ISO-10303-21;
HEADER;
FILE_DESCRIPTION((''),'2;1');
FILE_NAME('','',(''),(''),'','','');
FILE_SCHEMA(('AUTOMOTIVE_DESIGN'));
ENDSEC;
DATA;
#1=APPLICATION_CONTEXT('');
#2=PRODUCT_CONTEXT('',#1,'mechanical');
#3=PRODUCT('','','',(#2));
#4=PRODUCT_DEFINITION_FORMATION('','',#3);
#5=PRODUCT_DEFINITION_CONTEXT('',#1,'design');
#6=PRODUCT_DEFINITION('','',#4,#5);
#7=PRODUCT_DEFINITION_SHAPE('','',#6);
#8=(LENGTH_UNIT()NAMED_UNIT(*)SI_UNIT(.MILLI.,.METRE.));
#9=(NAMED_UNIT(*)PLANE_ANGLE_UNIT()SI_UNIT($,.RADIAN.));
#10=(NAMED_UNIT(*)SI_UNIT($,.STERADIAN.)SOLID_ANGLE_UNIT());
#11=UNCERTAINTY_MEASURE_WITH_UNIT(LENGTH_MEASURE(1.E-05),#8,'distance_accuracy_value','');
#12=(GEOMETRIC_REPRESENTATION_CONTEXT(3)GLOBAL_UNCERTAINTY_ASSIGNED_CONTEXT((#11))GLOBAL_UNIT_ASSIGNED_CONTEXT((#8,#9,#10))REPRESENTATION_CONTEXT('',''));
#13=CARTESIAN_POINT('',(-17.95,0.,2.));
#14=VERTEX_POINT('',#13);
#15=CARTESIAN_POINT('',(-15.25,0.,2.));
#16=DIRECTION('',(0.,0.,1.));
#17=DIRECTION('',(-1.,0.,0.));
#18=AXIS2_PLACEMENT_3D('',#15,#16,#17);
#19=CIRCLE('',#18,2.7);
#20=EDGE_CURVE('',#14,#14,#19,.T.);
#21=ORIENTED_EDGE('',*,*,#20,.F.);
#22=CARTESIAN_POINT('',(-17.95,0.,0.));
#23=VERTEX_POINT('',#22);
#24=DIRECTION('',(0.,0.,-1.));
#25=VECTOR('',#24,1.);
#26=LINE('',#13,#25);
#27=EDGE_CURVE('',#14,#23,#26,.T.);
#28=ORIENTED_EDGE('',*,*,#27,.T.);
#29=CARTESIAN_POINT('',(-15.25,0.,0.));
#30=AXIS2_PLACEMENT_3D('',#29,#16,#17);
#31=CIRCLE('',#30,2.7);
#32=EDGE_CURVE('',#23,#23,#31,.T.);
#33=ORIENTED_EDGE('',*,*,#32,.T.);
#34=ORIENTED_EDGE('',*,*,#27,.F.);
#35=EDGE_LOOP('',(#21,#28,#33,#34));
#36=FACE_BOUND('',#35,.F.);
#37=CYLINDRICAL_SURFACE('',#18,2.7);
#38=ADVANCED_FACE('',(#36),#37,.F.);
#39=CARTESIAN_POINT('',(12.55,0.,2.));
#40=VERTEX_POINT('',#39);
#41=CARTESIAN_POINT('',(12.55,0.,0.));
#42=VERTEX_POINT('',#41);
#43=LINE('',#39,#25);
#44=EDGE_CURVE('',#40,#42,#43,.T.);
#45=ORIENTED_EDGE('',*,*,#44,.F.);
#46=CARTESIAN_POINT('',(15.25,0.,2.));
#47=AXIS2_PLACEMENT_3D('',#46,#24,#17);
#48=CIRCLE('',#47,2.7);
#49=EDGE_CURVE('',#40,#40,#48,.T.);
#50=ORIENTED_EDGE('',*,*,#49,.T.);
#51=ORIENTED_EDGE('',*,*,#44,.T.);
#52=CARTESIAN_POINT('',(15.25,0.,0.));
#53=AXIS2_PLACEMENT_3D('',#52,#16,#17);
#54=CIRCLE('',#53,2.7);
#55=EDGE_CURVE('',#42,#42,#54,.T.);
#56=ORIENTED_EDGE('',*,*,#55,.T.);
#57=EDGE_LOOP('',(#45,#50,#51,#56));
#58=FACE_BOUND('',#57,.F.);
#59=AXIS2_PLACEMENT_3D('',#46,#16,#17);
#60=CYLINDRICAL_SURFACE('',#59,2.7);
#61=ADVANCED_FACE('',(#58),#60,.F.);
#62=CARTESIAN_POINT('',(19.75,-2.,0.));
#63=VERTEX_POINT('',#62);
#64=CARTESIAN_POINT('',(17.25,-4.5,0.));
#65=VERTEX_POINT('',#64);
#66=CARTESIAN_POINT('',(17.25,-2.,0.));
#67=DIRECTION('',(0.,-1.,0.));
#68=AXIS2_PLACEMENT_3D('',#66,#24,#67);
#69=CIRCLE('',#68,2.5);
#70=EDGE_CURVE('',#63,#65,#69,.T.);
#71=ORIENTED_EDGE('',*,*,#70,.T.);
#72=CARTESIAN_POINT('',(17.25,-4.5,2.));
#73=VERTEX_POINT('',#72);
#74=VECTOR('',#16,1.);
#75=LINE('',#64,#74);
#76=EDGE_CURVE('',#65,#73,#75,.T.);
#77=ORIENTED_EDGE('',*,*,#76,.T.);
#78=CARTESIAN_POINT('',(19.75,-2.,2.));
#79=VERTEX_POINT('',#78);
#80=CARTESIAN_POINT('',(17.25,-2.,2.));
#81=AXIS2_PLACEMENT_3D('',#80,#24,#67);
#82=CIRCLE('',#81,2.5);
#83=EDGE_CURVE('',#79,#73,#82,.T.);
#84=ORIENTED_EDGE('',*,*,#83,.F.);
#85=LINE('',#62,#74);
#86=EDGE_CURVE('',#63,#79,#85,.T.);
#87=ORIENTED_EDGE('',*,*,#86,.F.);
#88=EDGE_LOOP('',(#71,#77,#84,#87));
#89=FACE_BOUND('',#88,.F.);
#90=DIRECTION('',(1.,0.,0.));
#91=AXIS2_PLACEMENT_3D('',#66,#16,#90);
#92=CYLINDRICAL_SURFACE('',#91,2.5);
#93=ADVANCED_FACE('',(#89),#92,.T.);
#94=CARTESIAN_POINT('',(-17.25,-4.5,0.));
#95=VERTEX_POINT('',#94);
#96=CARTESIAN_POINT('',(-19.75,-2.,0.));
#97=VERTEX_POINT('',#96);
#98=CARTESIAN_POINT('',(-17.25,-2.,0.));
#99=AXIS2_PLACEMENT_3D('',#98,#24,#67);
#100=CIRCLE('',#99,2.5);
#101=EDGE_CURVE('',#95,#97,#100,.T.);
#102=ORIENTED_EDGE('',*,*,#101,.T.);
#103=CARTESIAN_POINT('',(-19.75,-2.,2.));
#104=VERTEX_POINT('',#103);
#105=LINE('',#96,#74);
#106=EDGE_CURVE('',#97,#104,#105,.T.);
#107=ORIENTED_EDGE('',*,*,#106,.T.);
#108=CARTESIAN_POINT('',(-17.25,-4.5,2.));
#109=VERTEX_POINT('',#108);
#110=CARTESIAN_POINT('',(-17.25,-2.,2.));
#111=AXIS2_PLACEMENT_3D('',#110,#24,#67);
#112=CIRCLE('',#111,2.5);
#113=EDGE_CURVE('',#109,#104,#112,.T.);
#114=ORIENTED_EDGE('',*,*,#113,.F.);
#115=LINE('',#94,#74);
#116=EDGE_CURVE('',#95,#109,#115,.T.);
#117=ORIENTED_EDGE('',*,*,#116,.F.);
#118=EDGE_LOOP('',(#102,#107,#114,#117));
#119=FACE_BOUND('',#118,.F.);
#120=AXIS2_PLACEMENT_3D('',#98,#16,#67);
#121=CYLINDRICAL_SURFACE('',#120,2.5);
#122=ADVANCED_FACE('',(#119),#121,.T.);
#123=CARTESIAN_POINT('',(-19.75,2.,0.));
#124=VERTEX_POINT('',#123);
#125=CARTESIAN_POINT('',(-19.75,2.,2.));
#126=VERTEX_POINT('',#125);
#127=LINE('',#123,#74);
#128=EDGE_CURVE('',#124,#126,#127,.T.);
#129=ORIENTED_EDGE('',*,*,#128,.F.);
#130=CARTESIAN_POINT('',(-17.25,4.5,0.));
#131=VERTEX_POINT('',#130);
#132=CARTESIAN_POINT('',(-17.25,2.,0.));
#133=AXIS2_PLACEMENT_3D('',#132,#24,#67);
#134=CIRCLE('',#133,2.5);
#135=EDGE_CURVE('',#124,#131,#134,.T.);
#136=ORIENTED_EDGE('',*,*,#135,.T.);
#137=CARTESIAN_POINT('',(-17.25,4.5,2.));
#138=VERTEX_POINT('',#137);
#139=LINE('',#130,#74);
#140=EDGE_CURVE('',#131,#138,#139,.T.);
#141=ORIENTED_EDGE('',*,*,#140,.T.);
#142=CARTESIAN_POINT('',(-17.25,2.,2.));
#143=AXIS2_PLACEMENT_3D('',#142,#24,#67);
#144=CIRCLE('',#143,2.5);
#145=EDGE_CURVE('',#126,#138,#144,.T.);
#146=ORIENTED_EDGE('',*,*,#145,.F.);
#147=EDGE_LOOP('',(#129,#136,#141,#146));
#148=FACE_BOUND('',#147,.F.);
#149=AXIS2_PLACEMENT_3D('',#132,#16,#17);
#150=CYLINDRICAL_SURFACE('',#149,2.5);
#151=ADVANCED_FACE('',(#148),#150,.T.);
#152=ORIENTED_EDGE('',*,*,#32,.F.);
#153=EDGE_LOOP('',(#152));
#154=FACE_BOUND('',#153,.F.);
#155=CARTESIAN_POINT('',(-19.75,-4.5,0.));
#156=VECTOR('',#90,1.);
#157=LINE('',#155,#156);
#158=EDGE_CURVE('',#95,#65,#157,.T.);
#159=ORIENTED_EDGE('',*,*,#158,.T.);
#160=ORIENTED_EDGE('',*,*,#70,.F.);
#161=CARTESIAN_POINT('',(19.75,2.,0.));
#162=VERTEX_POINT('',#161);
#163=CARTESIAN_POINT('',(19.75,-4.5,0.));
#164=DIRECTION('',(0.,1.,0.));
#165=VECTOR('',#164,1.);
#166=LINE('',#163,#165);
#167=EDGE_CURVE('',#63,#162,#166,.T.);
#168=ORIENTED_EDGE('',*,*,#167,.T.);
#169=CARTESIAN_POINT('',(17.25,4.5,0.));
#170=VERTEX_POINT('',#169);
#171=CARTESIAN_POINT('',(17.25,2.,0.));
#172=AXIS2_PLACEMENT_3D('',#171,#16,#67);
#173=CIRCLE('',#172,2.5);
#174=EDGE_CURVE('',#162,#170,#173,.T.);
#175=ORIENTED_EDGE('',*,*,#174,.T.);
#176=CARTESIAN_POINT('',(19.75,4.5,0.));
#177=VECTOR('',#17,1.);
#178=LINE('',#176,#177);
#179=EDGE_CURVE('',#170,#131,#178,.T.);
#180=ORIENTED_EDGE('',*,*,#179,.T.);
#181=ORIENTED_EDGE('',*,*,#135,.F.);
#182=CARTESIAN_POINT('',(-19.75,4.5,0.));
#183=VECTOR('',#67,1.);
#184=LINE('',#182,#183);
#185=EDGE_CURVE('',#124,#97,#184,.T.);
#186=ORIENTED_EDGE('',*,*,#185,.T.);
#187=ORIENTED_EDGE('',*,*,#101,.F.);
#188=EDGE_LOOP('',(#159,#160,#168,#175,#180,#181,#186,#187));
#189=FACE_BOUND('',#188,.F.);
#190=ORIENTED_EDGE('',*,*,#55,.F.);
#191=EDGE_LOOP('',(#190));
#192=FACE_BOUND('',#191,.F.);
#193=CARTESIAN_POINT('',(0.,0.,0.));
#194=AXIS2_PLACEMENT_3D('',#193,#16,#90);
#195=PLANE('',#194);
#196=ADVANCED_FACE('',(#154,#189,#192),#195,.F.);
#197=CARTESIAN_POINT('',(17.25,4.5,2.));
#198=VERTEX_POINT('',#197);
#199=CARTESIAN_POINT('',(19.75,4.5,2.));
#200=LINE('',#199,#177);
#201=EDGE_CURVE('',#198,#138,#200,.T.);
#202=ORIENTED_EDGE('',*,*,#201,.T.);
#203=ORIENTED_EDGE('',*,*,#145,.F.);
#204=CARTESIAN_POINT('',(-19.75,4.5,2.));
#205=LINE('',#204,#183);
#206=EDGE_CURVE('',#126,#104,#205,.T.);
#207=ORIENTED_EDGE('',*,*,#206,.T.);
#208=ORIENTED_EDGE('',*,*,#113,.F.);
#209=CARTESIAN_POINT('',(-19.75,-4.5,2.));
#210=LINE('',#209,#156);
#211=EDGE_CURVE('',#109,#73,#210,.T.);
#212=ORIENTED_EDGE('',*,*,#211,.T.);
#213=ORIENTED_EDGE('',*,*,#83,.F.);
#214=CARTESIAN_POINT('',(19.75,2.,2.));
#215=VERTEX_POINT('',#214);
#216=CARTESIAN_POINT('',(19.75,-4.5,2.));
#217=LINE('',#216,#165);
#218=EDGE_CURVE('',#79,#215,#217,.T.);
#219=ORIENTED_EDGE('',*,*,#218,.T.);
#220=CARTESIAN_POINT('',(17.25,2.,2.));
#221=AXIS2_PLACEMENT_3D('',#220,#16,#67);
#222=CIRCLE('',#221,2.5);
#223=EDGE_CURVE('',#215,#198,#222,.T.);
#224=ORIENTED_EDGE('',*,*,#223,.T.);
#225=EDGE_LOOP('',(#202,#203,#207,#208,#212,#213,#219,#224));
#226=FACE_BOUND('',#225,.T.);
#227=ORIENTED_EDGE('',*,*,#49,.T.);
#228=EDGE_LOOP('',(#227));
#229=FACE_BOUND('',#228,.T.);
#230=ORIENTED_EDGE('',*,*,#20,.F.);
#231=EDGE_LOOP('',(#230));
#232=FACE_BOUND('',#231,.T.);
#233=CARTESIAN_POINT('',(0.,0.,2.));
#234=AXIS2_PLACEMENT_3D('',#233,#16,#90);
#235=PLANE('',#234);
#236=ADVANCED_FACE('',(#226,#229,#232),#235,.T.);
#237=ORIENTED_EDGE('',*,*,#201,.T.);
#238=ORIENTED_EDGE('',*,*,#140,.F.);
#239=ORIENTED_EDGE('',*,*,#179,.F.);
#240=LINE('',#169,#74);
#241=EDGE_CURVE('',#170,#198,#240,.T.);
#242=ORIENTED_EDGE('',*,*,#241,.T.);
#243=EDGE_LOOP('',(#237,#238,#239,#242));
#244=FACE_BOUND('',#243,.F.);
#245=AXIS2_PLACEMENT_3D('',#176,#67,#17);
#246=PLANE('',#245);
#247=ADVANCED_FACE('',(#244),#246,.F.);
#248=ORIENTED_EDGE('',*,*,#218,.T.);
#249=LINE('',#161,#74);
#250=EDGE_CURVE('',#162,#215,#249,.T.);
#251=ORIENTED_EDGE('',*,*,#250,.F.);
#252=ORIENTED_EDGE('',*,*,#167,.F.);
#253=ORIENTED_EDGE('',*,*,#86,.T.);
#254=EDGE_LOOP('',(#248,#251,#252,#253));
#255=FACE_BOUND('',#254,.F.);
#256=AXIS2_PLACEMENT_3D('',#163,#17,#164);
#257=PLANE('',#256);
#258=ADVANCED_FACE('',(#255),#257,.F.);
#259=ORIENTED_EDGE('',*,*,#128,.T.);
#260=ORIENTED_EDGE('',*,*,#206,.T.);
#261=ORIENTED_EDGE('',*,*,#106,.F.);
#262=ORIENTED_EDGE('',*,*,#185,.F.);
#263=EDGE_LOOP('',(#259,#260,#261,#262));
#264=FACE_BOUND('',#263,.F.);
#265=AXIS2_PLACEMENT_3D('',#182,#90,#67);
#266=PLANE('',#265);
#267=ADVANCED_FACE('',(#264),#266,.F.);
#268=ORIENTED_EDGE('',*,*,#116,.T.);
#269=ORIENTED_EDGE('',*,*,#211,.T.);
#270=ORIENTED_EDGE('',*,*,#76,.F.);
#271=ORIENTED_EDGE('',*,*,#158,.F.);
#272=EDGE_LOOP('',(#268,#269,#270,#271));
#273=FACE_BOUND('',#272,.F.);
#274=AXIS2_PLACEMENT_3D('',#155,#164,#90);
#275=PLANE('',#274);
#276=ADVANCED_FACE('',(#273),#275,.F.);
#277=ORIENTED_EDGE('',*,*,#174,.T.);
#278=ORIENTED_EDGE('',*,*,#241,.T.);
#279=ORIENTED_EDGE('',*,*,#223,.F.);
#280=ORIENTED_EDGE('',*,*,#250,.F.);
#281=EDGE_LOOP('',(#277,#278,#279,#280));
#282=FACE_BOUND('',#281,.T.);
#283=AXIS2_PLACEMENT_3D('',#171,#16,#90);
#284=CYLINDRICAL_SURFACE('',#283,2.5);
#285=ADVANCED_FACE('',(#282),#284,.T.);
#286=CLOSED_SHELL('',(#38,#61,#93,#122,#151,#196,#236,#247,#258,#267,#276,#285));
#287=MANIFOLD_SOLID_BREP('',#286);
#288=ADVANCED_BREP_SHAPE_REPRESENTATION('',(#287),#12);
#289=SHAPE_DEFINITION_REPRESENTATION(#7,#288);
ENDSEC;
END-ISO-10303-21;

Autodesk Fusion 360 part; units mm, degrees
sketch "Sketch1" plane through (0, 0, 0) normal (0, 0, 1) x (1, 0, 0)
  line L0 (19.75, 4.5) -> (-19.75, 4.5)
  line L1 (-19.75, 4.5) -> (-19.75, -4.5)
  line L2 (-19.75, -4.5) -> (19.75, -4.5)
  line L3 (19.75, -4.5) -> (19.75, 4.5)
  line L4 (19.75, 4.5) -> (-19.75, -4.5) construction
  line L5 (-19.75, 4.5) -> (19.75, -4.5) construction
  dimension "d1" = 39.5
  dimension "d2" = 9
extrude "Extrude1" add sketch "Sketch1" along normal blind 2
fillet "Fillet1" radius 2.5 4 edges at (-19.75, -4.5, 1) (-19.75, 4.5, 1) (19.75, 4.5, 1) (19.75, -4.5, 1)
sketch "Sketch2" plane through (0, 0, 2) normal (0, 0, 1) x (-1, 0, 0)
  arc A0 (-17.25, 4.5) -> (-19.75, 2) centre (-17.25, 2) ccw
  line L0 (-17.25, -4.5) -> (17.25, -4.5)
  arc A1 (17.25, -4.5) -> (19.75, -2) centre (17.25, -2) ccw
  line L1 (17.25, 4.5) -> (-17.25, 4.5)
  line L2 (-19.75, 2) -> (-19.75, -2)
  arc A2 (-19.75, -2) -> (-17.25, -4.5) centre (-17.25, -2) ccw
  line L3 (19.75, -2) -> (19.75, 2)
  arc A3 (19.75, 2) -> (17.25, 4.5) centre (17.25, 2) ccw
  line L4 (19.75, 0) -> (-19.75, 0) construction
  line L5 (19.75, 0) -> (15.25, 0)
  line L6 (-19.75, 0) -> (-15.25, 0)
  circle A4 centre (15.25, 0) radius 2.7
  circle A5 centre (-15.25, 0) radius 2.7
  dimension "d11" = 4.5
  dimension "d12" = 4.5
  dimension "d13" = 5.4
  dimension "d14" = 5.4
extrude "Extrude2" cut sketch "Sketch2" against normal blind 3 contours A5 | A4
